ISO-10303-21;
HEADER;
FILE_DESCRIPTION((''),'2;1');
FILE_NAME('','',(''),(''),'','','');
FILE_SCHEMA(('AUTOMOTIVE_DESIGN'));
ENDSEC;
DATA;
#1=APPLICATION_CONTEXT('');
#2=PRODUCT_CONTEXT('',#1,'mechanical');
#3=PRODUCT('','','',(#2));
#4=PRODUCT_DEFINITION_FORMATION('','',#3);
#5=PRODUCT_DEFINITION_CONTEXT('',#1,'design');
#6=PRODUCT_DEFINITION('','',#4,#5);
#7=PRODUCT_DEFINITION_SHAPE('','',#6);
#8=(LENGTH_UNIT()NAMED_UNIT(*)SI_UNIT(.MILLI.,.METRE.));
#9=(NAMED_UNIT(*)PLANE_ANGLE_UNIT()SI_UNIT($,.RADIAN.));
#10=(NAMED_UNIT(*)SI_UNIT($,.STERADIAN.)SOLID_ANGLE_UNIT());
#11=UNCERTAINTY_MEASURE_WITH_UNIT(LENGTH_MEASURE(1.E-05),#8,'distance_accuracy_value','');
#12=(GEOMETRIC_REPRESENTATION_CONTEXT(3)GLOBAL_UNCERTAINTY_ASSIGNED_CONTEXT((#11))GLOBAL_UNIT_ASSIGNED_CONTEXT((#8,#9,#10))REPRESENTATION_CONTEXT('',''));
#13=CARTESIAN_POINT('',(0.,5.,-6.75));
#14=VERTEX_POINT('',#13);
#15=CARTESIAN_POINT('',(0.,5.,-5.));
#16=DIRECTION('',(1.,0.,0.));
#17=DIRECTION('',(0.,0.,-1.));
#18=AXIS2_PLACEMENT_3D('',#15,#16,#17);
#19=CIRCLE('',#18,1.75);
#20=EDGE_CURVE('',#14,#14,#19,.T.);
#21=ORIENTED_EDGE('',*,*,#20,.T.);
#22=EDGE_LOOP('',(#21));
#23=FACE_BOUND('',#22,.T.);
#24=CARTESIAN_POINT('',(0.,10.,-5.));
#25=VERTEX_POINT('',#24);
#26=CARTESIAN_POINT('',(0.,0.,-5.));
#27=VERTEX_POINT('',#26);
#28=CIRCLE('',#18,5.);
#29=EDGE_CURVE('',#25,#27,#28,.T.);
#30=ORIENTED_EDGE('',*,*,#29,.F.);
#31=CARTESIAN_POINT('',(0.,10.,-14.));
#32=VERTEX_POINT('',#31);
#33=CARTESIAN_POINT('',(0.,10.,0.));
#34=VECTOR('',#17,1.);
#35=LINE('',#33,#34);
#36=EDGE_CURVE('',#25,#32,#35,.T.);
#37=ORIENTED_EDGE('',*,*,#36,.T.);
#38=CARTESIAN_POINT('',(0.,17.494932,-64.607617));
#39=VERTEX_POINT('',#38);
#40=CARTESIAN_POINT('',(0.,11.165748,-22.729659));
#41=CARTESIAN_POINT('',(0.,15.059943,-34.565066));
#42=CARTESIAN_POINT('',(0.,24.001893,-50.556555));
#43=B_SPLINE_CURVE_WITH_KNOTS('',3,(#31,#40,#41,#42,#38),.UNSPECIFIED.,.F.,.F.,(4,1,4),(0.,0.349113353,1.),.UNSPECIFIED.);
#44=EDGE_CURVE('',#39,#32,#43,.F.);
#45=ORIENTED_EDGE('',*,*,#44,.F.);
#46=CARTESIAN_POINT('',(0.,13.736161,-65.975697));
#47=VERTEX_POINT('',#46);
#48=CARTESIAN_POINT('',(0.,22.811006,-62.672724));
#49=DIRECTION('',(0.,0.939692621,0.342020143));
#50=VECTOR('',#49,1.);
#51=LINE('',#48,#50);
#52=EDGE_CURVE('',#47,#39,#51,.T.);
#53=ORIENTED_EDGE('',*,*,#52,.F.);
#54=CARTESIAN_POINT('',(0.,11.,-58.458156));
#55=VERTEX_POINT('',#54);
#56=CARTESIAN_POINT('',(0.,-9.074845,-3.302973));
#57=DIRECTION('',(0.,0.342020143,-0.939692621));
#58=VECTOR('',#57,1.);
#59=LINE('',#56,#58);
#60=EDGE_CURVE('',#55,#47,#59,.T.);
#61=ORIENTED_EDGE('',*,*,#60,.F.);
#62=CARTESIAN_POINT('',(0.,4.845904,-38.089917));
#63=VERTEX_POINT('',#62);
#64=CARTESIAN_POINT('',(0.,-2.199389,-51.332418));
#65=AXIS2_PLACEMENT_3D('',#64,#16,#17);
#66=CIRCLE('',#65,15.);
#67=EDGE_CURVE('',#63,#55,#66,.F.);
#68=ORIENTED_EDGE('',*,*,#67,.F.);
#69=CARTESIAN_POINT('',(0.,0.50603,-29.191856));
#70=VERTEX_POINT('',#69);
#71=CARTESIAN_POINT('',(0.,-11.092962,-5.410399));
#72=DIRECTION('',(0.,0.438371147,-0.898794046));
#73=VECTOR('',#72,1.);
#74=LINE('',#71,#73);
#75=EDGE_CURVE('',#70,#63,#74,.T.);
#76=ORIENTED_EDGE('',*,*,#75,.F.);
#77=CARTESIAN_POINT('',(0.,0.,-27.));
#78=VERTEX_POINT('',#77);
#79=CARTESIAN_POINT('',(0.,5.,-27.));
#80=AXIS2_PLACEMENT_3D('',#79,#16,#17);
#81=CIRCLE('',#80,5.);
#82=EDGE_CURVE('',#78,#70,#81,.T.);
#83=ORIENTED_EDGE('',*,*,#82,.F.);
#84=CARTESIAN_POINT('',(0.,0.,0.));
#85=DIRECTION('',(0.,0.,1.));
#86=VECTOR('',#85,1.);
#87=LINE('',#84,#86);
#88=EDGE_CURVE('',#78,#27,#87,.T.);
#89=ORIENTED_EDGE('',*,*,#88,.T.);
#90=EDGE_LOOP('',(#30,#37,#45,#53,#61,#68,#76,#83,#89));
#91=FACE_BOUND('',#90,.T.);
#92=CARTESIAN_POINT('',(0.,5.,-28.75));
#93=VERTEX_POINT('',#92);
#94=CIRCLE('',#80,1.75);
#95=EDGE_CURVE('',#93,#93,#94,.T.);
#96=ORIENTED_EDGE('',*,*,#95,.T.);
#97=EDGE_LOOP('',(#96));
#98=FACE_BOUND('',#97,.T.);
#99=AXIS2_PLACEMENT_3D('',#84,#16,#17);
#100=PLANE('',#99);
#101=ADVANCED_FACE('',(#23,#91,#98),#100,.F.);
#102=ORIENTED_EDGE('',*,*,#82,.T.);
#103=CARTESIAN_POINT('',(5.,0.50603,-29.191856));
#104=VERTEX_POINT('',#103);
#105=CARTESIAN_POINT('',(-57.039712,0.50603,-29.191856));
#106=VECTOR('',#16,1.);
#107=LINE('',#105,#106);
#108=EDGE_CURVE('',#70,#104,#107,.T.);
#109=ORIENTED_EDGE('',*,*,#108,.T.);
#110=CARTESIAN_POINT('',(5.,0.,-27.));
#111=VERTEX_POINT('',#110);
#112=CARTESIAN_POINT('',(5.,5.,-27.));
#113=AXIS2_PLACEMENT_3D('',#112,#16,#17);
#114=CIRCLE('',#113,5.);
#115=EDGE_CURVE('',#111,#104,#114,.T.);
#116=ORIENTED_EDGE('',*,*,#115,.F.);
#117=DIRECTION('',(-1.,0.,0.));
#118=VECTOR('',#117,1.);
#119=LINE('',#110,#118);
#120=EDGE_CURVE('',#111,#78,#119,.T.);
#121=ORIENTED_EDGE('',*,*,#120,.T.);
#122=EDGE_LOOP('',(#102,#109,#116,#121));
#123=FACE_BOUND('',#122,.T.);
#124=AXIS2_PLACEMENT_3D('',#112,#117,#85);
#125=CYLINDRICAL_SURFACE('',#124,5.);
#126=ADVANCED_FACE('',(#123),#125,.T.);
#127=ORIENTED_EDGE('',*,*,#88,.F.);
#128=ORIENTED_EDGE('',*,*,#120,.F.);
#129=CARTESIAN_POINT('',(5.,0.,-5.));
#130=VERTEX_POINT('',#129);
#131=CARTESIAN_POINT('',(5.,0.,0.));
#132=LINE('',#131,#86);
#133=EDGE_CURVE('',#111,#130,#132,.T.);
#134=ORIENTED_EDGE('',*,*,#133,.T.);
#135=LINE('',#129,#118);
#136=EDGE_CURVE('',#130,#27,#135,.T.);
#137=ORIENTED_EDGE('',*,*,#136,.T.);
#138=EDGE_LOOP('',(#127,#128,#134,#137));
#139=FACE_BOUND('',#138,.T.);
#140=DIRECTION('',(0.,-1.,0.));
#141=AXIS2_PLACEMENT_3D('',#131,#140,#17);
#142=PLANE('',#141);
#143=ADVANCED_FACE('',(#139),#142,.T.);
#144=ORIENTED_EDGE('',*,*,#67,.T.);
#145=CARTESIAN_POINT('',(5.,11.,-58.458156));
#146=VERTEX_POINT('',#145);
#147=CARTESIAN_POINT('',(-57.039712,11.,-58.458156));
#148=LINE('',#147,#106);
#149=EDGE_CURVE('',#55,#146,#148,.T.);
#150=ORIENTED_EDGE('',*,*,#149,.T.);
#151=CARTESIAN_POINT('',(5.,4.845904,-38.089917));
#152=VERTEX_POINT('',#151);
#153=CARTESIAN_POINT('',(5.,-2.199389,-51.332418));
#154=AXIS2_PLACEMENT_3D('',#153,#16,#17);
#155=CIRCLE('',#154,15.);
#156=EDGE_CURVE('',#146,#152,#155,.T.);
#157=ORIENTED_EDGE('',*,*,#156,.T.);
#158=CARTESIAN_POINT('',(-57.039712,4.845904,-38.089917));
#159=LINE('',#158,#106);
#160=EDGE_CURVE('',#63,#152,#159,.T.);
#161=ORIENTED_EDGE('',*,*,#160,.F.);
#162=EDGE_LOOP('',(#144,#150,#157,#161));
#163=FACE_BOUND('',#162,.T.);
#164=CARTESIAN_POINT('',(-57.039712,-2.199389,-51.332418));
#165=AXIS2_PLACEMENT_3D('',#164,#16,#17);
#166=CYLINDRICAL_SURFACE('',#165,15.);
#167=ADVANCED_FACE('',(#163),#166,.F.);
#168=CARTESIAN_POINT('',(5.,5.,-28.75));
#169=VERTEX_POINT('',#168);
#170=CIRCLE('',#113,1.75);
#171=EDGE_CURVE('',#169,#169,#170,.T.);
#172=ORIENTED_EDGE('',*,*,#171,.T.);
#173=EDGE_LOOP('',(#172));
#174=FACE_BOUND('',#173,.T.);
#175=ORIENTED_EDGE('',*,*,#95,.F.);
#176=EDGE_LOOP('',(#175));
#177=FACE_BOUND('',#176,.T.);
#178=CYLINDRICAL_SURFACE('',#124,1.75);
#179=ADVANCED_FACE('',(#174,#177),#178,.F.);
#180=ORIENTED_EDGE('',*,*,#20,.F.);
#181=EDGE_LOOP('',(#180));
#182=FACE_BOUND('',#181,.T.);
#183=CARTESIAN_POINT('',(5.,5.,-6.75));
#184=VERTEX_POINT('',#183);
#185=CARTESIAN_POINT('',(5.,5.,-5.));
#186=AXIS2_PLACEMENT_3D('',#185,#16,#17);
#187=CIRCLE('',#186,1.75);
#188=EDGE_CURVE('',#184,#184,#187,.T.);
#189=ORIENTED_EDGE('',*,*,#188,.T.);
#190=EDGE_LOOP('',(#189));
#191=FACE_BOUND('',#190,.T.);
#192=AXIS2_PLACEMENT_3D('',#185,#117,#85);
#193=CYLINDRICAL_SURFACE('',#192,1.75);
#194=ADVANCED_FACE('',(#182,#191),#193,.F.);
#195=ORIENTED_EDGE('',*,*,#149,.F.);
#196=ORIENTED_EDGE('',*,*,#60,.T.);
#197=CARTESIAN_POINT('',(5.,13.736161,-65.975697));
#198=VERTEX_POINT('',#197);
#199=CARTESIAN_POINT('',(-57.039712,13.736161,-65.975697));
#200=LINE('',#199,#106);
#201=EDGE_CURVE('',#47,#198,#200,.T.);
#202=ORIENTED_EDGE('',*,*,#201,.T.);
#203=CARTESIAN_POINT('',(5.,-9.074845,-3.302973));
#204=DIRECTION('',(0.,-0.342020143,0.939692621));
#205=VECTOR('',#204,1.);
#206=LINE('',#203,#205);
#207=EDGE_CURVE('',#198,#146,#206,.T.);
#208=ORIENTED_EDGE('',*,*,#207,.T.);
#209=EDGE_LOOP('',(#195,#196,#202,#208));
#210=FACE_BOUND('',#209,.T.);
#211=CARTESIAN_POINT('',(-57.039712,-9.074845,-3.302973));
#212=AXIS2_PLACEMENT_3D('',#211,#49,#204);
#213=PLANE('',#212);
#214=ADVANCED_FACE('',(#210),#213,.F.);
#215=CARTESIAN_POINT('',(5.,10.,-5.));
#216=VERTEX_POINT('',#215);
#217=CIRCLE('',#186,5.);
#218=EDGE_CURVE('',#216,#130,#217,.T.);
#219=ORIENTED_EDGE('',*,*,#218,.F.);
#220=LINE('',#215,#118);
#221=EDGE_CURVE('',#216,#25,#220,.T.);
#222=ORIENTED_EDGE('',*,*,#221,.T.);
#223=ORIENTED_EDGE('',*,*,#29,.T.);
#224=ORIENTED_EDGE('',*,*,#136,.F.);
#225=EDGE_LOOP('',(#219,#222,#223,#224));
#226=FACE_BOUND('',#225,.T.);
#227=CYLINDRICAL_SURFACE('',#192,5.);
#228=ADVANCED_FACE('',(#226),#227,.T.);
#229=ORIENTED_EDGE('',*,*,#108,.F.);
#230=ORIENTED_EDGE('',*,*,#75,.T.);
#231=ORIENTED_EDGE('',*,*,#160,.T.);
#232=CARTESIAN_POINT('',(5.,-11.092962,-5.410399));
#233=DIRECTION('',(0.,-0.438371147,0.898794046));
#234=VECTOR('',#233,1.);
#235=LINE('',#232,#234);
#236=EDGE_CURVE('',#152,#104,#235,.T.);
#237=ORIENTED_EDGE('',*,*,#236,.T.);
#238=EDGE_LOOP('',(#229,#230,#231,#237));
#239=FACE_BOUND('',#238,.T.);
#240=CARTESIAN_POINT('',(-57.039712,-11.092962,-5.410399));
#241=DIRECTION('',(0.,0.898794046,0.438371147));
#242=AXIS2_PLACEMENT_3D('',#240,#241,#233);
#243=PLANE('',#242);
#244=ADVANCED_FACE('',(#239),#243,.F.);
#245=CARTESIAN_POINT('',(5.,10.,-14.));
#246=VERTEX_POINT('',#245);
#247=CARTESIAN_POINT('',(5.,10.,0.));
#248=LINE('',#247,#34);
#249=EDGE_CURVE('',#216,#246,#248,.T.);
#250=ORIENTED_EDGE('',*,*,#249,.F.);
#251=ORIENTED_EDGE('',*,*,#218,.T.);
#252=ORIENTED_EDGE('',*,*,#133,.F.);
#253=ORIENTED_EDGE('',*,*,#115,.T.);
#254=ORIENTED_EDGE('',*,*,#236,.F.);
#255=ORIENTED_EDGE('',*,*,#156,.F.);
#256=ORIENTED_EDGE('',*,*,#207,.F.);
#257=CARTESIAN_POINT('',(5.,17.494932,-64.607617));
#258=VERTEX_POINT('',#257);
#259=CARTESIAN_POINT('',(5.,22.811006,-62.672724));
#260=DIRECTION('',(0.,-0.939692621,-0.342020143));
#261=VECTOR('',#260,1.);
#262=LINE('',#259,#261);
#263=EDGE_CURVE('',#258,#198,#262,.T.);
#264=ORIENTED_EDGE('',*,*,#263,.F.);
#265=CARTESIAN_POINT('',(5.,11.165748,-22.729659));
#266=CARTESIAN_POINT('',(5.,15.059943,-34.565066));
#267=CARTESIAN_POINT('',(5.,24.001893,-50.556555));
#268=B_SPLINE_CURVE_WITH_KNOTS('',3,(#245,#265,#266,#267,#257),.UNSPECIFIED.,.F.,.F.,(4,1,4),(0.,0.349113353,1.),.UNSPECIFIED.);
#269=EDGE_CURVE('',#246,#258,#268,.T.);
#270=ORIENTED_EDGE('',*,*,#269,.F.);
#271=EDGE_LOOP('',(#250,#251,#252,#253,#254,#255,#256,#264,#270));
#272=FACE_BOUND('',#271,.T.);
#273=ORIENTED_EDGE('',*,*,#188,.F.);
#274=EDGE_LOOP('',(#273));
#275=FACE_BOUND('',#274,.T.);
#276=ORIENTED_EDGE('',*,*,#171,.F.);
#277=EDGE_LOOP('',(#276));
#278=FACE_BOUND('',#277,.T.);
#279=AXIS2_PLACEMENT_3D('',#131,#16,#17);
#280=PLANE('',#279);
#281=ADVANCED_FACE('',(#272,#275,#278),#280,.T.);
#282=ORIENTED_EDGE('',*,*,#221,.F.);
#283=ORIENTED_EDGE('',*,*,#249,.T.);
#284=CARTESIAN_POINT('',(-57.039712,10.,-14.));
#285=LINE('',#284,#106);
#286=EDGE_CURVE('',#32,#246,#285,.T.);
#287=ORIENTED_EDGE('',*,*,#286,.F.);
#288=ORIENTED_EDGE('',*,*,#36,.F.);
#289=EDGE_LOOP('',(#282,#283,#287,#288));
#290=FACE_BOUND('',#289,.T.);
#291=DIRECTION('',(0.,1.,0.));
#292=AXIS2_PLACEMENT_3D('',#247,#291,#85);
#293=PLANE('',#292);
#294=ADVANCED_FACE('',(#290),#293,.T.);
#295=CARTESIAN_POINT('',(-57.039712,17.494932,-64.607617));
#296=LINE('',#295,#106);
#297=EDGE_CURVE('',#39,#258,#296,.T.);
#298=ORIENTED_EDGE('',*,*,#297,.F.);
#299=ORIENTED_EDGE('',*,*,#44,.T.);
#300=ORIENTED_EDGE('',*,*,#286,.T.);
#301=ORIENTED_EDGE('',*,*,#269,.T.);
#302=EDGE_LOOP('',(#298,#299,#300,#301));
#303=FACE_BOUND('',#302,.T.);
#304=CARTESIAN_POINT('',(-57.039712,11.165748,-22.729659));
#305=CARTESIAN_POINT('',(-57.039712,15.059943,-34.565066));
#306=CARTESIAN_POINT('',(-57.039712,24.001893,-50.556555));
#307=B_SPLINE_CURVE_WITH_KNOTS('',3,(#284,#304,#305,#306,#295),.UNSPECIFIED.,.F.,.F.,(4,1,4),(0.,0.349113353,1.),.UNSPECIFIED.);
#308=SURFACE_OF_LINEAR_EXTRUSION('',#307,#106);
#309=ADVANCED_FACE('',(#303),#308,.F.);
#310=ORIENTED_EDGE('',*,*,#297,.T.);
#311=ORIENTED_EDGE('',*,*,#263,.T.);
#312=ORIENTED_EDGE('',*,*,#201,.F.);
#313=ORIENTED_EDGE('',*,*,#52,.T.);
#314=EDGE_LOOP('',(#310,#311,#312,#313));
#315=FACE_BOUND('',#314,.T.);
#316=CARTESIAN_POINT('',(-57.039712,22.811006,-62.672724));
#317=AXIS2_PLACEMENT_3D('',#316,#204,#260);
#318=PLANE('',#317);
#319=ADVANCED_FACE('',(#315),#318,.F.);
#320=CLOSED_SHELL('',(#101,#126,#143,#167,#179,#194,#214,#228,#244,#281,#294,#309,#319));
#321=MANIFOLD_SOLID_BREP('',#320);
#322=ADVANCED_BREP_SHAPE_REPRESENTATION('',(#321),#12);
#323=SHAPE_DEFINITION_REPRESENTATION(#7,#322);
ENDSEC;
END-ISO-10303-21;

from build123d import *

# Parameters (mm, degrees)
SKETCH1_R           = 5
SKETCH1_R_2         = 1.75
BOSS_EXTRUDE1_DEPTH = 5
BOSS_EXTRUDE2_START = -5
BOSS_EXTRUDE2_DEPTH = 5


with BuildPart() as part:
    # Sketch1 → Boss-Extrude1 (new body)
    # profile 1 of 3: a face of its own
    with BuildSketch(Plane(origin=(0, 0, 0), x_dir=(0, 0, -1), z_dir=(1, 0, 0))):
        with Locations((5, 5)):
            Circle(SKETCH1_R)
        with Locations((5, 5)):
            Circle(SKETCH1_R_2, mode=Mode.SUBTRACT)
    # profile 2 of 3: a face of its own
    with BuildSketch(Plane(origin=(0, 0, 0), x_dir=(0, 0, -1), z_dir=(1, 0, 0))):
        with BuildLine():
            Line((27, 10), (5, 10))
            ThreePointArc((5, 10), (8.535533906, 8.535533906), (10, 5))
            ThreePointArc((10, 5), (8.535533906, 1.464466094), (5, 0))
            Line((5, 0), (27, 0))
            ThreePointArc((27, 0), (22, 5), (27, 10))
        make_face()
    # profile 3 of 3: a face of its own
    with BuildSketch(Plane(origin=(0, 0, 0), x_dir=(0, 0, -1), z_dir=(1, 0, 0))):
        with Locations((27, 5)):
            Circle(SKETCH1_R)
        with Locations((27, 5)):
            Circle(SKETCH1_R_2, mode=Mode.SUBTRACT)
    extrude(amount=BOSS_EXTRUDE1_DEPTH)

    # Sketch2 → Boss-Extrude2 (add)
    with BuildSketch(Plane(origin=(5, 0, 0), x_dir=(0, 0, -1), z_dir=(1, 0, 0)).offset(BOSS_EXTRUDE2_START)):
        with BuildLine():
            Line((65.975697465, 13.736161147), (64.607616892, 17.49493163))
            add(Edge.make_bspline(
                [(14, 10), (22.729658928, 11.165748207), (34.565066024, 15.059942726), (50.556554523, 24.001893285), (64.607616892, 17.49493163)],
                knots=[0, 0, 0, 0, 0.349113353, 1, 1, 1, 1], degree=3))
            Line((14, 10), (27, 10))
            ThreePointArc((27, 10), (31.871850324, 6.124755272), (29.191855734, 0.506029769))
            Line((29.191855734, 0.506029769), (38.089916792, 4.845904122))
            ThreePointArc((38.089916792, 4.845904122), (46.993994408, 12.1595138), (58.458156499, 11))
            Line((58.458156499, 11), (65.975697465, 13.736161147))
        make_face()
    extrude(amount=BOSS_EXTRUDE2_DEPTH)


solid = part.part
